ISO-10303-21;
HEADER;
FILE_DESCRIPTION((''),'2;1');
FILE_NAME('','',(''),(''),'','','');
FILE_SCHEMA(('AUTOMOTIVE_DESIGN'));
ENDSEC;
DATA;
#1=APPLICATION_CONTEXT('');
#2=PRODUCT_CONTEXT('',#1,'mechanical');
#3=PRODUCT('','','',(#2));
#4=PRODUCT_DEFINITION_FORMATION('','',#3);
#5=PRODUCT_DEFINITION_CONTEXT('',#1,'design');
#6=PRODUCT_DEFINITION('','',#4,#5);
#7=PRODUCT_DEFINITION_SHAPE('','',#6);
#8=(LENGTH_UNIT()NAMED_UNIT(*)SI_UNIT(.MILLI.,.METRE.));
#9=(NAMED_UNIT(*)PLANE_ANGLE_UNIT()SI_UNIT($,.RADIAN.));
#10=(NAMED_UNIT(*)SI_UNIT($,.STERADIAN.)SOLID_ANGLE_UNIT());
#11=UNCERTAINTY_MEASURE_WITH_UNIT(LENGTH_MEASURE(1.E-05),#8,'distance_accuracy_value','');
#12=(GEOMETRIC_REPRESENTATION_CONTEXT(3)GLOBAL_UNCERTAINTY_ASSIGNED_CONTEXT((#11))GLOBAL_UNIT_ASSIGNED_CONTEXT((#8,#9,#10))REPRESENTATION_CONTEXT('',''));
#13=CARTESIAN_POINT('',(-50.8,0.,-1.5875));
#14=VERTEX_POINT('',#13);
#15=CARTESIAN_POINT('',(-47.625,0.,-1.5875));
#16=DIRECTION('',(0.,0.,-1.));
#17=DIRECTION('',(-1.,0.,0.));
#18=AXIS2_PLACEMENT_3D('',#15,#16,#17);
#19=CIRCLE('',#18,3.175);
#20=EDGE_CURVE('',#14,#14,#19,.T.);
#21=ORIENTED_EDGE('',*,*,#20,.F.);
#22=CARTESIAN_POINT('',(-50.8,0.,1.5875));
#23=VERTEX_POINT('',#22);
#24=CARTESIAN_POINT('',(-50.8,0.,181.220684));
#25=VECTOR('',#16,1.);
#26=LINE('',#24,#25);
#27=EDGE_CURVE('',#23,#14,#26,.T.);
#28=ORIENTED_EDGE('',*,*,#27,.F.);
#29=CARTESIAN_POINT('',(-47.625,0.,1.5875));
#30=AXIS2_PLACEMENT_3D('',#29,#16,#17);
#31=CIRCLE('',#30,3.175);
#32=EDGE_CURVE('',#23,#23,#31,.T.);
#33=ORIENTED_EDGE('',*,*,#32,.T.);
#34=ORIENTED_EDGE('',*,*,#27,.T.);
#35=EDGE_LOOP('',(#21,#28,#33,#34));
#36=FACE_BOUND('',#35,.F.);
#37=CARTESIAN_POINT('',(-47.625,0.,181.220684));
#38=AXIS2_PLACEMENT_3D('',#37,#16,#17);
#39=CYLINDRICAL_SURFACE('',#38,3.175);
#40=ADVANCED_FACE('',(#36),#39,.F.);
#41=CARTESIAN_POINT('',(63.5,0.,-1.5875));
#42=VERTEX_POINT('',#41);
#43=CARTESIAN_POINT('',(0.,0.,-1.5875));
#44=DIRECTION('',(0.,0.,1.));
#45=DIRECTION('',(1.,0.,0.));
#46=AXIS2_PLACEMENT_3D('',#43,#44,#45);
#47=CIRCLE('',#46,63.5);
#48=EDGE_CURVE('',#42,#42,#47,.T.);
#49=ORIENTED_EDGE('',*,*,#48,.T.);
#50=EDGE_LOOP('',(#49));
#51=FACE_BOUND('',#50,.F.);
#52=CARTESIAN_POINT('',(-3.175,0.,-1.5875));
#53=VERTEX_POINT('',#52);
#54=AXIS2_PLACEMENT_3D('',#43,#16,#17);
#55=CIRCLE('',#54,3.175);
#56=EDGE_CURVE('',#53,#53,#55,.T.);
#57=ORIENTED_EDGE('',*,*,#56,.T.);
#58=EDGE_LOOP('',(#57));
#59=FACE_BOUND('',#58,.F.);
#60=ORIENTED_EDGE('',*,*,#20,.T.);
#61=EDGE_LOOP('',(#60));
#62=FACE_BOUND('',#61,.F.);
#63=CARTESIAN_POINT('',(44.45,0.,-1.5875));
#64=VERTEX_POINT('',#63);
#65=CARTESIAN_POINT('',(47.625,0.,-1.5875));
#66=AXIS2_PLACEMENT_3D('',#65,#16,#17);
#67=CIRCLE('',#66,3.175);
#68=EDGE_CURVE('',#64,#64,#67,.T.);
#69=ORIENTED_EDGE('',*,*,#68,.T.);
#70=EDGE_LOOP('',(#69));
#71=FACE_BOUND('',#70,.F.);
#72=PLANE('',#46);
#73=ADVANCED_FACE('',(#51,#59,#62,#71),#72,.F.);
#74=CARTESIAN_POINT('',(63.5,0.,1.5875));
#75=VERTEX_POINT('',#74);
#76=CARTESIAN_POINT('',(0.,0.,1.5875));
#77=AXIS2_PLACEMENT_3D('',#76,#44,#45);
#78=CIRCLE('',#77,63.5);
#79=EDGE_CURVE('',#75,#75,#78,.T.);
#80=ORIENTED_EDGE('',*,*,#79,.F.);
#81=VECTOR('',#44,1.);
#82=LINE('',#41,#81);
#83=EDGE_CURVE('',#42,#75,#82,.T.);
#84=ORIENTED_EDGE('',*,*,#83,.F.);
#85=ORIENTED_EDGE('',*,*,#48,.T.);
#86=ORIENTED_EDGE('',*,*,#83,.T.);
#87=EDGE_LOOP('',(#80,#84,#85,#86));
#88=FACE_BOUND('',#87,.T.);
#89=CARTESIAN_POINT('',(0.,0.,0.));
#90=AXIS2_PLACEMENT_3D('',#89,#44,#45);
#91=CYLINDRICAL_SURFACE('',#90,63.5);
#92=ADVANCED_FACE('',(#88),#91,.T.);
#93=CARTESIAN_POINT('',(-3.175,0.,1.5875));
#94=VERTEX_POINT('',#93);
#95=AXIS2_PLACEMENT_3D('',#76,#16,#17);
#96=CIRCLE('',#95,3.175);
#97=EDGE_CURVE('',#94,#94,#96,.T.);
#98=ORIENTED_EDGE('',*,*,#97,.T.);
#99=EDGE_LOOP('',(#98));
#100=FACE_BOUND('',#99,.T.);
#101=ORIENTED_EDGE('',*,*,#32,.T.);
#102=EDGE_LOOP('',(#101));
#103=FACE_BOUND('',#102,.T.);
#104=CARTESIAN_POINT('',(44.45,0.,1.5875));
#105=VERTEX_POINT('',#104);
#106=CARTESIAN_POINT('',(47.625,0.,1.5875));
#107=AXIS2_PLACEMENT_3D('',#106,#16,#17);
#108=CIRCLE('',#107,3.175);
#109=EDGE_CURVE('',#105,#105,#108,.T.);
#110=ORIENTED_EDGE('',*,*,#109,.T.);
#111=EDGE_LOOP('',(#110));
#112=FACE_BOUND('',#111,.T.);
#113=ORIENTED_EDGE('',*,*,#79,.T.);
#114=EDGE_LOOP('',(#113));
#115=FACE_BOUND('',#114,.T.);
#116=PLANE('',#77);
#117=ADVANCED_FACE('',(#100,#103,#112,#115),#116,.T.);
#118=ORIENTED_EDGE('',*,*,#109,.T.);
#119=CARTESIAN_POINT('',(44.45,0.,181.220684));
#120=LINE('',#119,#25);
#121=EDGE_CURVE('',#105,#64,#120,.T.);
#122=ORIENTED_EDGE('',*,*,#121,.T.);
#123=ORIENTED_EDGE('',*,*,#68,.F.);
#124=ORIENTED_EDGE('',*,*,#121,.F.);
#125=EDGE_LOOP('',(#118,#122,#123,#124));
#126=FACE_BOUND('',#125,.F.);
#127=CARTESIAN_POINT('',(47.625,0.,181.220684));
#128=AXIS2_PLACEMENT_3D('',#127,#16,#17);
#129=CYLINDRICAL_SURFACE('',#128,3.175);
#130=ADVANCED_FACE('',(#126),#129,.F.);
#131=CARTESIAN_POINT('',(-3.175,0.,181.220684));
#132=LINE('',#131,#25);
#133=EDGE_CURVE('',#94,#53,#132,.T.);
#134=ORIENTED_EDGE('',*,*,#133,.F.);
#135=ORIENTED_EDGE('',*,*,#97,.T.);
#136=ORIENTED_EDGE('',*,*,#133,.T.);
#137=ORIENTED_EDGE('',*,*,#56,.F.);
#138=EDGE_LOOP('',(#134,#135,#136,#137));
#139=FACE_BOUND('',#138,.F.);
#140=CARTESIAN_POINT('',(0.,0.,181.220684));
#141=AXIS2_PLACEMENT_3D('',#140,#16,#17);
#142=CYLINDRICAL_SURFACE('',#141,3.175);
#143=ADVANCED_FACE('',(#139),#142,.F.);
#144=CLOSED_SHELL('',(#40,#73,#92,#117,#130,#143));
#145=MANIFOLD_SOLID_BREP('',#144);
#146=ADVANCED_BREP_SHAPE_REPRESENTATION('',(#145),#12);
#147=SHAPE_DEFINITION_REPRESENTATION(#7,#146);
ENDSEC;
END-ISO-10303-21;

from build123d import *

# Parameters (mm, degrees)
SKETCH1_R                   = 63.5
BOSS_EXTRUDE1_DEPTH         = 1.5875
F_1_4_0_25_DIAMETER_HOLE1_D = 6.35


with BuildPart() as part:
    # Sketch1 → Boss-Extrude1 (new body, symmetric)
    with BuildSketch(Plane.XY):
        Circle(SKETCH1_R)
    extrude(amount=BOSS_EXTRUDE1_DEPTH, both=True)

    # 1/4 (0.25) Diameter Hole1 (through all)
    with Locations(Plane.XY.offset(1.5875)):
        with Locations((-47.625, 0), (0, 0), (47.625, 0)):
            Hole(F_1_4_0_25_DIAMETER_HOLE1_D / 2)


solid = part.part
